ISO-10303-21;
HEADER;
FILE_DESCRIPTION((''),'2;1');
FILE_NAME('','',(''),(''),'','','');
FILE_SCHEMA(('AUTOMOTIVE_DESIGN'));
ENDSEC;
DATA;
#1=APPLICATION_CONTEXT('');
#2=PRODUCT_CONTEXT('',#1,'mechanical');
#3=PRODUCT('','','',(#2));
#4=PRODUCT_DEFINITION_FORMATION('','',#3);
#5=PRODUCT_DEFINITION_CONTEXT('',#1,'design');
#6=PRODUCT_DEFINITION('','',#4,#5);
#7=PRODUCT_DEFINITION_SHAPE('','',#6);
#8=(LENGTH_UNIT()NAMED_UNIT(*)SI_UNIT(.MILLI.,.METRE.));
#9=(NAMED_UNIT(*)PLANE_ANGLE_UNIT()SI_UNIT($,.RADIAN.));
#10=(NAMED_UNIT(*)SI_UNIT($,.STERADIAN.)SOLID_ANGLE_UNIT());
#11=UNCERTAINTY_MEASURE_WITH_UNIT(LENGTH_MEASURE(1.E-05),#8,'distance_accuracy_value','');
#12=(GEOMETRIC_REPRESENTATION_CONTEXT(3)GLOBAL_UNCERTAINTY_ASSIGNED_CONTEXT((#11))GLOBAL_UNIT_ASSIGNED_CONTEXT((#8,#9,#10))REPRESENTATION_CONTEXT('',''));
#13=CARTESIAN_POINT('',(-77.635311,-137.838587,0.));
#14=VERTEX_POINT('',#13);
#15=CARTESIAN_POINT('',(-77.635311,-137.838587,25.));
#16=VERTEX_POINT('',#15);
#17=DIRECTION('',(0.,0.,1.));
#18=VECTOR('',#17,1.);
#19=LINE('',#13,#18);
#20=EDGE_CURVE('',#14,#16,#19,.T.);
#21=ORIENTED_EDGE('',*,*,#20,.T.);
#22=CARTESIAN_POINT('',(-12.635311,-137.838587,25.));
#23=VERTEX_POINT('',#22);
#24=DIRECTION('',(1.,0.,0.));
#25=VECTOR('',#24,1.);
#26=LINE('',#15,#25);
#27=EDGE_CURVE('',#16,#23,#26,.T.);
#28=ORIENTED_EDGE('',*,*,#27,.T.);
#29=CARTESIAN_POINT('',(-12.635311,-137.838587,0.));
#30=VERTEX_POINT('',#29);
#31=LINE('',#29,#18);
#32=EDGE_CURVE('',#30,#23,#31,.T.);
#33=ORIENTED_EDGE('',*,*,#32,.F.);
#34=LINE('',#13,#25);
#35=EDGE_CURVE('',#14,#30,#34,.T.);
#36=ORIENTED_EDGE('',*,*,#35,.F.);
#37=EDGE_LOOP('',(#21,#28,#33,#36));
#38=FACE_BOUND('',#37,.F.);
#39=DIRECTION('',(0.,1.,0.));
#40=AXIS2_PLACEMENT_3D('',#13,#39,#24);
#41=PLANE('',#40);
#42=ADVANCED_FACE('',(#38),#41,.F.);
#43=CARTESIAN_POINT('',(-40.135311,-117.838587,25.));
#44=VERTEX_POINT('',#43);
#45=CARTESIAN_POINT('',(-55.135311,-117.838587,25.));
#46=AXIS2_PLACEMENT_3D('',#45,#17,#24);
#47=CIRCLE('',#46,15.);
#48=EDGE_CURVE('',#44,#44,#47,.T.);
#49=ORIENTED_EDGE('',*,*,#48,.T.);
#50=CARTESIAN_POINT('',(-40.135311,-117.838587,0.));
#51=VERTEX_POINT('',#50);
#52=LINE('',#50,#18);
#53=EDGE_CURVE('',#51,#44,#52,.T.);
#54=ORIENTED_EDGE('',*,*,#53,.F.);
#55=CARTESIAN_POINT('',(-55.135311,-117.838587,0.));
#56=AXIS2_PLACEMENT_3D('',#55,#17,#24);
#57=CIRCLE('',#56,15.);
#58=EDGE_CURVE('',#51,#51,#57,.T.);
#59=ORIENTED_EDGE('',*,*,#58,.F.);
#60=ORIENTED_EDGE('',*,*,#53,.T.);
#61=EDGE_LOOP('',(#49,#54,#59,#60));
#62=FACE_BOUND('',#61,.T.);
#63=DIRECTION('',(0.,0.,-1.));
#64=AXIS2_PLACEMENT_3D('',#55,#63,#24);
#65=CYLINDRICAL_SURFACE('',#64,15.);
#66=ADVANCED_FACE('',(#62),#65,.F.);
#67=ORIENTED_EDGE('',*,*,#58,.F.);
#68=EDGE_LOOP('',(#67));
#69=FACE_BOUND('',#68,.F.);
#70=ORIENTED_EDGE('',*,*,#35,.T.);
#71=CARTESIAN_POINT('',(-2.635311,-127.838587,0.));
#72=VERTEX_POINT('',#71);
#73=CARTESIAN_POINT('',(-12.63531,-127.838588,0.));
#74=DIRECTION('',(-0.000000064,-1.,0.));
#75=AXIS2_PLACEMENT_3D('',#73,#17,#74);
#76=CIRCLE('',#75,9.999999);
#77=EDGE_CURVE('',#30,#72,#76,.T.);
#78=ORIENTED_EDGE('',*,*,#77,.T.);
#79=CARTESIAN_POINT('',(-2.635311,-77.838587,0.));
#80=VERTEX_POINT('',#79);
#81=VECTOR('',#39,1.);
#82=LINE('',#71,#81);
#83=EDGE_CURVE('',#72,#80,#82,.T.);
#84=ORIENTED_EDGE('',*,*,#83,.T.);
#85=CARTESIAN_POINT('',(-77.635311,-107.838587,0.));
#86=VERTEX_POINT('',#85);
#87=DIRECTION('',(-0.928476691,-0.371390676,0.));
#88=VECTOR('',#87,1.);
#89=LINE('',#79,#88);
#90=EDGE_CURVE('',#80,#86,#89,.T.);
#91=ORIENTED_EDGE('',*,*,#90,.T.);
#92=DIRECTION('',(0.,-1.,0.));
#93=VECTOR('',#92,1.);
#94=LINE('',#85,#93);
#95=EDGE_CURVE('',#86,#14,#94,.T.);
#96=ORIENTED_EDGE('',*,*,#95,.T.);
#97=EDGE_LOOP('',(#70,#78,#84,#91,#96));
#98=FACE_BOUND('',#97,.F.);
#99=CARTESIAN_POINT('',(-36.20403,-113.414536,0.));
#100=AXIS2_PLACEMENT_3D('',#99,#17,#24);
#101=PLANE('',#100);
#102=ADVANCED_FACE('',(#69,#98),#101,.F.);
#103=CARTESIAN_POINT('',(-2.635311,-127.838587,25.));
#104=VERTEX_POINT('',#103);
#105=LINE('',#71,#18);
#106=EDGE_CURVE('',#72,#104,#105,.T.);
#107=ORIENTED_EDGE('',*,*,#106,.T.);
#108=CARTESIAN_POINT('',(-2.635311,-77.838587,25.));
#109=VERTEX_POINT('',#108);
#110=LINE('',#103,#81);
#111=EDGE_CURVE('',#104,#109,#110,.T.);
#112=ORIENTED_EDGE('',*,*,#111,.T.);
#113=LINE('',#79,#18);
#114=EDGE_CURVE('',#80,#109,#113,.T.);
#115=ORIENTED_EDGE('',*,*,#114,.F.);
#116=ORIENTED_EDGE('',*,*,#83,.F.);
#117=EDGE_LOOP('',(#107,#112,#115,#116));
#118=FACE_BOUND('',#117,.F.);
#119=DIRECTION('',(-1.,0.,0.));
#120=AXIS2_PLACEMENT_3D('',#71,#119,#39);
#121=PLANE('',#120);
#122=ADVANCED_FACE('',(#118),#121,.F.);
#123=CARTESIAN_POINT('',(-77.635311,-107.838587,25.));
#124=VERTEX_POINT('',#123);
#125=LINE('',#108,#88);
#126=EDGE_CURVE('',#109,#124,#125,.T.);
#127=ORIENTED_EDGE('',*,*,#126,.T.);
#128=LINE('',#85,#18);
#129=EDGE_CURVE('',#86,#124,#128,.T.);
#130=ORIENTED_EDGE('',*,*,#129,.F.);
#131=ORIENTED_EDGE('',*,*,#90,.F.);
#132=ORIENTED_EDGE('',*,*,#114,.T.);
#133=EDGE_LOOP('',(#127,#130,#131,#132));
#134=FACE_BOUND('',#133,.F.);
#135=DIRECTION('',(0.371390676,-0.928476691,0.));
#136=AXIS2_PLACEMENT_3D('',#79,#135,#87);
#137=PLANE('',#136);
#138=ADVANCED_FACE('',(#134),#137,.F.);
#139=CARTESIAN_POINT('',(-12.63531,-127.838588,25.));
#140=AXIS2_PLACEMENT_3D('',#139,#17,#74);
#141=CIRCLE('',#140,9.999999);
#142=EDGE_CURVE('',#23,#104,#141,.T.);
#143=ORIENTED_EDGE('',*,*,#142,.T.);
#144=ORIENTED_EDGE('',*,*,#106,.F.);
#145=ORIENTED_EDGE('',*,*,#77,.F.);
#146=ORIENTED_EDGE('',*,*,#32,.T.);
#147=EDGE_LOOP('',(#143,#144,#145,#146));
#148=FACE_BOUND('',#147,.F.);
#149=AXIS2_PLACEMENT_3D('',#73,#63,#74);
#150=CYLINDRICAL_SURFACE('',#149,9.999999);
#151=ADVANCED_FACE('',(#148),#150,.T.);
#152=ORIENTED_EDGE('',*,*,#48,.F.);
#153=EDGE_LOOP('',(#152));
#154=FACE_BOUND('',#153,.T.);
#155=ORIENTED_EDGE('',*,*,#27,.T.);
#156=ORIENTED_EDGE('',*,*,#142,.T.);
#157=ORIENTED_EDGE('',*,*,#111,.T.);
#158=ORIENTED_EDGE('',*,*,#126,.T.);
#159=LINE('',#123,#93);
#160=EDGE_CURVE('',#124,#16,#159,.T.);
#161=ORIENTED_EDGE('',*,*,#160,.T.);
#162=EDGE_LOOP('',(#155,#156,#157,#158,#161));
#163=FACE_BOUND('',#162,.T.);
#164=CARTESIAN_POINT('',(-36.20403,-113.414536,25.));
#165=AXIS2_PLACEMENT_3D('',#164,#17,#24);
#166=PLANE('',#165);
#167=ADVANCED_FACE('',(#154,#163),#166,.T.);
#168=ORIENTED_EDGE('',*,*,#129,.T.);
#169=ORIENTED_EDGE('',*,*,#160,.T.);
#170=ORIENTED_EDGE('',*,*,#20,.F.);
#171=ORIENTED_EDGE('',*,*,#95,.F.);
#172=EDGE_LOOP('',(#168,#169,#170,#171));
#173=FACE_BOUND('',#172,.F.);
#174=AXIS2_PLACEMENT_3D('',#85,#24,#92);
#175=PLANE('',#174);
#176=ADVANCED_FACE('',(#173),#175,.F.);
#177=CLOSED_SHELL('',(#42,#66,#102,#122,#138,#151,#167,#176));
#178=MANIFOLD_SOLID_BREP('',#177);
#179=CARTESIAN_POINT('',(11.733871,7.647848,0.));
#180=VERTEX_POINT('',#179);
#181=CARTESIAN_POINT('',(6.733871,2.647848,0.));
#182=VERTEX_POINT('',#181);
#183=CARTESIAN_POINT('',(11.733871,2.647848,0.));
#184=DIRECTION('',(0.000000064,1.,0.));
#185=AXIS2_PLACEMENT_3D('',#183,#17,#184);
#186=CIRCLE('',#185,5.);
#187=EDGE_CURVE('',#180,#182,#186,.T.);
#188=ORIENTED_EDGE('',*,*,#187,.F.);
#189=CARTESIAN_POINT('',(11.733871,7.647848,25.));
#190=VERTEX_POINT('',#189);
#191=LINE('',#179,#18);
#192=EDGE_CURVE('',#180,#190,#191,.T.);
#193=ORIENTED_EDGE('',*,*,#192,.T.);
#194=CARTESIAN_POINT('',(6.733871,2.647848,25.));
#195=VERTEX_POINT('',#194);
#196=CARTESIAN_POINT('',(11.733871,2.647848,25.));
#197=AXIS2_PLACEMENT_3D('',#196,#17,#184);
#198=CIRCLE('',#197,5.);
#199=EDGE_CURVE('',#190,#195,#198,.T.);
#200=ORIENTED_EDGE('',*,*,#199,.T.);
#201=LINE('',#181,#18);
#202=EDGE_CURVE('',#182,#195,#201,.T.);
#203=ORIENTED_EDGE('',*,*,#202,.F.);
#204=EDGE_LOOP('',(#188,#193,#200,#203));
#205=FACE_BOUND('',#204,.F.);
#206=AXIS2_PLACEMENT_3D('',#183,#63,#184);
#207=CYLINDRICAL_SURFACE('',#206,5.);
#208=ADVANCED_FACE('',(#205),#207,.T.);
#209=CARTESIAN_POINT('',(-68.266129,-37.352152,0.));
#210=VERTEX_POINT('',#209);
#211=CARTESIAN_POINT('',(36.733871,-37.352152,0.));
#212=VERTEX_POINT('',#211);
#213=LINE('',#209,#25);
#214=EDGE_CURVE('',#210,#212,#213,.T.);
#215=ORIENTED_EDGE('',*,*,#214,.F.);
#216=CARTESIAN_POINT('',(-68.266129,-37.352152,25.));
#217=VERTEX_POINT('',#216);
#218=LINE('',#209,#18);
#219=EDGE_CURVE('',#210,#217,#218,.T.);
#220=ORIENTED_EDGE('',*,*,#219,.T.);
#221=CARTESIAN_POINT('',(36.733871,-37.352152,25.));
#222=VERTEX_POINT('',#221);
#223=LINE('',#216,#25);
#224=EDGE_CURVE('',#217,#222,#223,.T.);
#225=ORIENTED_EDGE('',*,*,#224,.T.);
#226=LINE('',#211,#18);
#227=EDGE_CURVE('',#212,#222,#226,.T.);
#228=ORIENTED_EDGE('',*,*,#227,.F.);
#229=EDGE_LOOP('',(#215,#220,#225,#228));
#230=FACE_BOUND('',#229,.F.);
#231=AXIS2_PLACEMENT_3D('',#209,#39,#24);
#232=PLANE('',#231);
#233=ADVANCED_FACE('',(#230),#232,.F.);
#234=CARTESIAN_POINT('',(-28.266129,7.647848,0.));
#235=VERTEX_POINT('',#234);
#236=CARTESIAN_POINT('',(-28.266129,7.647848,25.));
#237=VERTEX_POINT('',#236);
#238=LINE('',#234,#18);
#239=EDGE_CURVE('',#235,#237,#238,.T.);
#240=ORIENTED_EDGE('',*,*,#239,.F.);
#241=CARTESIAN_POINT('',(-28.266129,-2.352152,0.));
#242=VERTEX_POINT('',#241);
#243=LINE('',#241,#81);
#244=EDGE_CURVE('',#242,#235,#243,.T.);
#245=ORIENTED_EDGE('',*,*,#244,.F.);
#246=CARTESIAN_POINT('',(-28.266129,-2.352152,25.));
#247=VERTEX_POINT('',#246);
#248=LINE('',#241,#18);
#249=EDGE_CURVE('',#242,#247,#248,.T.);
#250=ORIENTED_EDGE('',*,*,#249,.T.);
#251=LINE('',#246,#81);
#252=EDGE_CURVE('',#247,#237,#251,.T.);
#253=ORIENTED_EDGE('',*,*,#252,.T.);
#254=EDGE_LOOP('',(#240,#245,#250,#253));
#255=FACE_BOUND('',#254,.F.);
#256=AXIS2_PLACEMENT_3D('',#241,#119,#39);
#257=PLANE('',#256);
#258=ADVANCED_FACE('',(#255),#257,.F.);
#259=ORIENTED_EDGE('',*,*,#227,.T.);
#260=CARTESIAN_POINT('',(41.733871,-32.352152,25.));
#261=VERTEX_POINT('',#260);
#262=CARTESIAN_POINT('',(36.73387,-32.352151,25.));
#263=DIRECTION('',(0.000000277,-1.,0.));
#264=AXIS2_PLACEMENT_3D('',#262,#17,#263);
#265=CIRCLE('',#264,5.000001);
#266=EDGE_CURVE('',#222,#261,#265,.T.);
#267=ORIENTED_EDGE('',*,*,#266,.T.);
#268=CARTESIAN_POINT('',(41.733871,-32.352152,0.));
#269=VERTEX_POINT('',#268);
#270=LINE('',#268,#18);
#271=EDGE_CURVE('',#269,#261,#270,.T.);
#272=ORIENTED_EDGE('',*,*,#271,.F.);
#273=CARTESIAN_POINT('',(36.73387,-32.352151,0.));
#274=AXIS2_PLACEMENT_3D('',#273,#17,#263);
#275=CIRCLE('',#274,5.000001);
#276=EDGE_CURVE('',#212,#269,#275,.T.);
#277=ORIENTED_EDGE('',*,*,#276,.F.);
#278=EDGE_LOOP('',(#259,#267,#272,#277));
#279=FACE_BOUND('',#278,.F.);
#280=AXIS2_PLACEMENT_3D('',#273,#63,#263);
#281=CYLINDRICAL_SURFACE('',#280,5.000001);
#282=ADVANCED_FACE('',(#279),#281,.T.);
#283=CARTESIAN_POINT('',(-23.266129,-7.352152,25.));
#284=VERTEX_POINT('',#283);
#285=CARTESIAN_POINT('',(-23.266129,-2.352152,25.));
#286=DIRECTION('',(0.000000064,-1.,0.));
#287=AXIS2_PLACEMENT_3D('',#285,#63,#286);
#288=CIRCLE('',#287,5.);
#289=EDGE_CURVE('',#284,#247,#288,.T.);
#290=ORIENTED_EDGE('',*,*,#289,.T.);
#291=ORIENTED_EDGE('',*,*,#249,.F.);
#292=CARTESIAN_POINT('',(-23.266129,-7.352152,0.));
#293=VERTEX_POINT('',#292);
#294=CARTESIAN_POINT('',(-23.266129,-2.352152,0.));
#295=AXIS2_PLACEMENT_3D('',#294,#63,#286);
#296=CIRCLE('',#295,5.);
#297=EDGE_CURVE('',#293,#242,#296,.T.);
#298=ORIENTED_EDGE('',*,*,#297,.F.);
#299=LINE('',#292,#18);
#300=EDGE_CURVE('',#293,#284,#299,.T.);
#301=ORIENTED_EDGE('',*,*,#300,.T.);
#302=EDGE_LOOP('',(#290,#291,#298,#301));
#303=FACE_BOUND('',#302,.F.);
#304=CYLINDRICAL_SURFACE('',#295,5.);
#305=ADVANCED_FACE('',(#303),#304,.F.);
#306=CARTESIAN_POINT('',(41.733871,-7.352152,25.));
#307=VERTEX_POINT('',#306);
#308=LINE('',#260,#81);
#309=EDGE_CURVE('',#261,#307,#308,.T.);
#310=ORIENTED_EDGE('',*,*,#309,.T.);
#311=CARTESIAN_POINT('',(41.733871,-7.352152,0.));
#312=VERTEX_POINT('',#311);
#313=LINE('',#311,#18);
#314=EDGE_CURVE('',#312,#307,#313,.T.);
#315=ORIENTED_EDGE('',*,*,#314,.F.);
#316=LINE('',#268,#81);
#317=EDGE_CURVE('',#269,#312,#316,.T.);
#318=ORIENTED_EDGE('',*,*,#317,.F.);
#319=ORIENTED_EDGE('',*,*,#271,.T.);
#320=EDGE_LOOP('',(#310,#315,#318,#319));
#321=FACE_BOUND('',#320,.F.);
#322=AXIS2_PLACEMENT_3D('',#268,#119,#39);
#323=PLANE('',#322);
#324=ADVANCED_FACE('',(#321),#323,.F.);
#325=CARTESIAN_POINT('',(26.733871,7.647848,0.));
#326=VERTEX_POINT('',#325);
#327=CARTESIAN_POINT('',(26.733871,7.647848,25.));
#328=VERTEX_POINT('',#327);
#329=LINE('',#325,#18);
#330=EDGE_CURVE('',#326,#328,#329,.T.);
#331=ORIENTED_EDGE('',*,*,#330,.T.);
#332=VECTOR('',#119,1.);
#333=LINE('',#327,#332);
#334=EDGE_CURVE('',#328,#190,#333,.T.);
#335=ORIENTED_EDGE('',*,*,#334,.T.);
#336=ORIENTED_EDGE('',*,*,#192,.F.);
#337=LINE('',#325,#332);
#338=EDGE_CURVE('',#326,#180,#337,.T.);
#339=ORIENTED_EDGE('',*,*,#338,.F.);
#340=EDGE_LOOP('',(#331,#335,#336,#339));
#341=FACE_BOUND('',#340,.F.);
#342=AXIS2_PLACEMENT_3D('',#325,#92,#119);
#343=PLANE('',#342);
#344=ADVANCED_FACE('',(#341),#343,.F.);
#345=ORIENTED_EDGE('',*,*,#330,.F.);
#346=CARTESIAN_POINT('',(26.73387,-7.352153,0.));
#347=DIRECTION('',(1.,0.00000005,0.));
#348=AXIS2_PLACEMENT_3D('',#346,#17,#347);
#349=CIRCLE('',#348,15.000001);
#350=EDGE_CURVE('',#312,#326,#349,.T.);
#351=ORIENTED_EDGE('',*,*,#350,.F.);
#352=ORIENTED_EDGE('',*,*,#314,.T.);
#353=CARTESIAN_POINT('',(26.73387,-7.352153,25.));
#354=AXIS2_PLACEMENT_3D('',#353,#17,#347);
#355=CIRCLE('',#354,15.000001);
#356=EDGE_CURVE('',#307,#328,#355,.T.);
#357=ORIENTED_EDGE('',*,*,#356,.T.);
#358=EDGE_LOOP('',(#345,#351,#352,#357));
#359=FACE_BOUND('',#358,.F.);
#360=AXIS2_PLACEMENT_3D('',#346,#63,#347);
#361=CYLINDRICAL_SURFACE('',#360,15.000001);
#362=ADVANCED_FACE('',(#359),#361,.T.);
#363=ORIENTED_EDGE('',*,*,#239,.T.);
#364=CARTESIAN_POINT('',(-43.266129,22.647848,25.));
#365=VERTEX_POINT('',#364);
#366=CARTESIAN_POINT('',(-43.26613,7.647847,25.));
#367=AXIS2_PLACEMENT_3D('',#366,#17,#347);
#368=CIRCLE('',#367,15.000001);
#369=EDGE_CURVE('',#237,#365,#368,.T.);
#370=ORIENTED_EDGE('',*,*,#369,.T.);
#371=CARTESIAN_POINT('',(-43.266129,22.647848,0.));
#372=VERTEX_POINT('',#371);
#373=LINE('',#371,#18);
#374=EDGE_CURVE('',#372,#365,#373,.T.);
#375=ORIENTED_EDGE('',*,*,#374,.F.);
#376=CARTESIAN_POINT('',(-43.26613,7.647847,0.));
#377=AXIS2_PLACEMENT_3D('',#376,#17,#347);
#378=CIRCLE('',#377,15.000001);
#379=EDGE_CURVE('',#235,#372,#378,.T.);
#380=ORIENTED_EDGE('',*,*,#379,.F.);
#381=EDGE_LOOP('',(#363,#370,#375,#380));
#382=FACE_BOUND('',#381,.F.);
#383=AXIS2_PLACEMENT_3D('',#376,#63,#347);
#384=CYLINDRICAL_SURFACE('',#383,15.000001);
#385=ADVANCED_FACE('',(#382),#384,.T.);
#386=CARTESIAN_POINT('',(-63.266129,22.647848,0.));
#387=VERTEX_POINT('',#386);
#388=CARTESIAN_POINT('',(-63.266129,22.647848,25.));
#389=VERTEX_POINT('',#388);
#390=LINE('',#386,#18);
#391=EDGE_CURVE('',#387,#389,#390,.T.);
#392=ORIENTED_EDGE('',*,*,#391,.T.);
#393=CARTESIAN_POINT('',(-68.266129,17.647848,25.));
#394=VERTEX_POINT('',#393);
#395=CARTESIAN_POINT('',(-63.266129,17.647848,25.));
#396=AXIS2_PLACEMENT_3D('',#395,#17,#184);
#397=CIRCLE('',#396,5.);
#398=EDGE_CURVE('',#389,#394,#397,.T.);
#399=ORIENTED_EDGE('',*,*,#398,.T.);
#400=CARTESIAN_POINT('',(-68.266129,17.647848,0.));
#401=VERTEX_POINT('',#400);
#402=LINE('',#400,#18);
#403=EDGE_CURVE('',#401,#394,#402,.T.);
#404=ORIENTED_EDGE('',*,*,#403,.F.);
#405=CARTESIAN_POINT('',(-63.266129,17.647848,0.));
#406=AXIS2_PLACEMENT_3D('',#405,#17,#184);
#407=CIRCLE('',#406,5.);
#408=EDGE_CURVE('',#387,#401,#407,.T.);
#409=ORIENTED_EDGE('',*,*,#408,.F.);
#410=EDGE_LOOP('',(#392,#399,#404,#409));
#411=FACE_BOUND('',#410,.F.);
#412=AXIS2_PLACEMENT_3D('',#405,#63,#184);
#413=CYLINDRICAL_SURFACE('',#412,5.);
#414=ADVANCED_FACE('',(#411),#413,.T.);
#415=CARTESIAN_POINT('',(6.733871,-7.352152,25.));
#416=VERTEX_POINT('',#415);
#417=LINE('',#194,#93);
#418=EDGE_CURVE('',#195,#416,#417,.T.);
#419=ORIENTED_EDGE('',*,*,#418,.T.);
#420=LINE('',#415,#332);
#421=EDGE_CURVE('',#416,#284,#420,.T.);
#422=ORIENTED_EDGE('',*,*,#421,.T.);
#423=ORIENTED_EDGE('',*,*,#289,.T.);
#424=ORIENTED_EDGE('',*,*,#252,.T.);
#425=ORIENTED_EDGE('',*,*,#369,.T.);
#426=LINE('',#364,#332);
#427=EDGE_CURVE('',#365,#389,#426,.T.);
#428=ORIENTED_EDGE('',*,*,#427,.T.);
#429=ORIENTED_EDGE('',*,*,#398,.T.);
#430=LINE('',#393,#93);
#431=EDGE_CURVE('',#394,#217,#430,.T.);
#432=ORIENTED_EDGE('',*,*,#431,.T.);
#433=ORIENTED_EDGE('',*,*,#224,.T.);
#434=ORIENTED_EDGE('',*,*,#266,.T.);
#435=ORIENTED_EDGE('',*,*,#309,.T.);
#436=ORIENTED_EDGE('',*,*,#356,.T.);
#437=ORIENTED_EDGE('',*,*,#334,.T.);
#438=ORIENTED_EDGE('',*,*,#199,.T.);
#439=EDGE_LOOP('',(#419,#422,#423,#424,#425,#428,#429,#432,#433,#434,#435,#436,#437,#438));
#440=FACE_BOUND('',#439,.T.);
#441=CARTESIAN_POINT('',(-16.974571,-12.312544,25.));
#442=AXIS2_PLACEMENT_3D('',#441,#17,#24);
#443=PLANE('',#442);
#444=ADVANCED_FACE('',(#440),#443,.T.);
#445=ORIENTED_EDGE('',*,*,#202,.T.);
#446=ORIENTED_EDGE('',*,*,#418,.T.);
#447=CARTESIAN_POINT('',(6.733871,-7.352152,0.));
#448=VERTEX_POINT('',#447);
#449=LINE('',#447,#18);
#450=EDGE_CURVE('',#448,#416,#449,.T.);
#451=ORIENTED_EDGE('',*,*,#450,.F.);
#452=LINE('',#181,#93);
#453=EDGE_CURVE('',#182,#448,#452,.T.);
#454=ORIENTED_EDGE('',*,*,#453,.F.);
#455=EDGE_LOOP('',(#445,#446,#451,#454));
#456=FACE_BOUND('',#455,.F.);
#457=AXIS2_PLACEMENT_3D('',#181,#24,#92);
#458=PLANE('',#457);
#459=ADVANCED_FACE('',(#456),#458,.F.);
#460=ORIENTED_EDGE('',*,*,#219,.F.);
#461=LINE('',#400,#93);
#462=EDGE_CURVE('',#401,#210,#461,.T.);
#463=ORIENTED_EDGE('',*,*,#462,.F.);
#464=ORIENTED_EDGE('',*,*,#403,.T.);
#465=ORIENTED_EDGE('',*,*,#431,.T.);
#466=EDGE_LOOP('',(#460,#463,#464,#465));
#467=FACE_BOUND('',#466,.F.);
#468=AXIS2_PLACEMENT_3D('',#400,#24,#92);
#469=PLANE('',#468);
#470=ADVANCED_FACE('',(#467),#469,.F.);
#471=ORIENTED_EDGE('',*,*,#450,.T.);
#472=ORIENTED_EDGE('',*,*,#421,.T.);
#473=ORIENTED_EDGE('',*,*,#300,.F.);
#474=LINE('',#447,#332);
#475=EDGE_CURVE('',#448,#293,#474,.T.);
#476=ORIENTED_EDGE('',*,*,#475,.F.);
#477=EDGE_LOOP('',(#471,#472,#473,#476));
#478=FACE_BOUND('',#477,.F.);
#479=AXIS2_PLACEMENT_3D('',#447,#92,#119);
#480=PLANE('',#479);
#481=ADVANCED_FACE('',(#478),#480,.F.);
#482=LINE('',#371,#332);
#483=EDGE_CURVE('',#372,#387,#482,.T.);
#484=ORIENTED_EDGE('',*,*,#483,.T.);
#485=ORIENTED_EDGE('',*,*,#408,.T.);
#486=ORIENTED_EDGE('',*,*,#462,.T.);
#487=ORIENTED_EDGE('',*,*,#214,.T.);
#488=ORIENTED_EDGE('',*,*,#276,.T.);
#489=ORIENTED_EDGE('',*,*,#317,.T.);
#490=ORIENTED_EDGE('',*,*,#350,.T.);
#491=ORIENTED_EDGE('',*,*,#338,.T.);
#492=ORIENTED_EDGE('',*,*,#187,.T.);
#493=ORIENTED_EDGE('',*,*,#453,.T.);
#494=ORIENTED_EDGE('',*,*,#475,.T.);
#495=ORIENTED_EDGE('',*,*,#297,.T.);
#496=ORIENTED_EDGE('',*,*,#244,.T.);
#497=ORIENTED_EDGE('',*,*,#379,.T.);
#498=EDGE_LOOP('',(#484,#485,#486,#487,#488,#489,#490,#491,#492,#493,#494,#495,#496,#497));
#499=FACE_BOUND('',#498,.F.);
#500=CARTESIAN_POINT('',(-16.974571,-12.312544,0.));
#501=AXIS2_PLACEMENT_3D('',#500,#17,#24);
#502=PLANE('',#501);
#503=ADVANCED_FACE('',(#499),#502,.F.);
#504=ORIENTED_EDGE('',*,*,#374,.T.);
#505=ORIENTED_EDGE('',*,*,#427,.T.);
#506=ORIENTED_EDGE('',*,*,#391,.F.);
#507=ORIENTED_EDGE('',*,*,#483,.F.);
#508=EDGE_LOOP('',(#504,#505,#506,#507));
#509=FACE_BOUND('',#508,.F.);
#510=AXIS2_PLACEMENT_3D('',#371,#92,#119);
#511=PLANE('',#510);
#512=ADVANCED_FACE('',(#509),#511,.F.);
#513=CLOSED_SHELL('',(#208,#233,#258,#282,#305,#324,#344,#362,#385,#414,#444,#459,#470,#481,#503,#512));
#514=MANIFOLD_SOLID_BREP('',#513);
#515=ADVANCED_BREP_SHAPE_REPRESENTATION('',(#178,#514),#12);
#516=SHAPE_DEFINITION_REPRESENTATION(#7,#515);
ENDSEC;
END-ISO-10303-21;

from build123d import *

# Parameters (mm, degrees)
F1_DEPTH = 25
F0_R     = 15
F2_DEPTH = 25


with BuildPart() as f1:
    # F0 (on Top) → F1 (new body)
    with BuildSketch(Plane.XY):
        with BuildLine():
            Line((-68.266129, 17.647848), (-68.266129, -37.352152))
            Line((-68.266129, -37.352152), (36.733871, -37.352152))
            ThreePointArc((36.733871, -37.352152), (40.269404, -35.887686), (41.733871, -32.352152))
            Line((41.733871, -32.352152), (41.733871, -7.352152))
            ThreePointArc((41.733871, -7.352152), (37.340472, 3.25445), (26.733871, 7.647848))
            Line((26.733871, 7.647848), (11.733871, 7.647848))
            ThreePointArc((11.733871, 7.647848), (8.198337, 6.183382), (6.733871, 2.647848))
            Line((6.733871, 2.647848), (6.733871, -7.352152))
            Line((6.733871, -7.352152), (-23.266129, -7.352152))
            ThreePointArc((-23.266129, -7.352152), (-26.801663, -5.887686), (-28.266129, -2.352152))
            Line((-28.266129, -2.352152), (-28.266129, 7.647848))
            ThreePointArc((-28.266129, 7.647848), (-32.659528, 18.25445), (-43.266129, 22.647848))
            Line((-43.266129, 22.647848), (-63.266129, 22.647848))
            ThreePointArc((-63.266129, 22.647848), (-66.801663, 21.183382), (-68.266129, 17.647848))
        make_face()
    extrude(amount=F1_DEPTH)


with BuildPart() as f2:
    # F0 (on Top) → F2 (new body)
    with BuildSketch(Plane.XY):
        with BuildLine():
            Line((-77.635311, -107.838587), (-77.635311, -137.838587))
            Line((-77.635311, -137.838587), (-12.635311, -137.838587))
            ThreePointArc((-12.635311, -137.838587), (-5.564243, -134.909655), (-2.635311, -127.838587))
            Line((-2.635311, -127.838587), (-2.635311, -77.838587))
            Line((-2.635311, -77.838587), (-77.635311, -107.838587))
        make_face()
        with Locations((-55.135311, -117.838587)):
            Circle(F0_R, mode=Mode.SUBTRACT)
    extrude(amount=F2_DEPTH)


solid = Compound([f1.part, f2.part])
